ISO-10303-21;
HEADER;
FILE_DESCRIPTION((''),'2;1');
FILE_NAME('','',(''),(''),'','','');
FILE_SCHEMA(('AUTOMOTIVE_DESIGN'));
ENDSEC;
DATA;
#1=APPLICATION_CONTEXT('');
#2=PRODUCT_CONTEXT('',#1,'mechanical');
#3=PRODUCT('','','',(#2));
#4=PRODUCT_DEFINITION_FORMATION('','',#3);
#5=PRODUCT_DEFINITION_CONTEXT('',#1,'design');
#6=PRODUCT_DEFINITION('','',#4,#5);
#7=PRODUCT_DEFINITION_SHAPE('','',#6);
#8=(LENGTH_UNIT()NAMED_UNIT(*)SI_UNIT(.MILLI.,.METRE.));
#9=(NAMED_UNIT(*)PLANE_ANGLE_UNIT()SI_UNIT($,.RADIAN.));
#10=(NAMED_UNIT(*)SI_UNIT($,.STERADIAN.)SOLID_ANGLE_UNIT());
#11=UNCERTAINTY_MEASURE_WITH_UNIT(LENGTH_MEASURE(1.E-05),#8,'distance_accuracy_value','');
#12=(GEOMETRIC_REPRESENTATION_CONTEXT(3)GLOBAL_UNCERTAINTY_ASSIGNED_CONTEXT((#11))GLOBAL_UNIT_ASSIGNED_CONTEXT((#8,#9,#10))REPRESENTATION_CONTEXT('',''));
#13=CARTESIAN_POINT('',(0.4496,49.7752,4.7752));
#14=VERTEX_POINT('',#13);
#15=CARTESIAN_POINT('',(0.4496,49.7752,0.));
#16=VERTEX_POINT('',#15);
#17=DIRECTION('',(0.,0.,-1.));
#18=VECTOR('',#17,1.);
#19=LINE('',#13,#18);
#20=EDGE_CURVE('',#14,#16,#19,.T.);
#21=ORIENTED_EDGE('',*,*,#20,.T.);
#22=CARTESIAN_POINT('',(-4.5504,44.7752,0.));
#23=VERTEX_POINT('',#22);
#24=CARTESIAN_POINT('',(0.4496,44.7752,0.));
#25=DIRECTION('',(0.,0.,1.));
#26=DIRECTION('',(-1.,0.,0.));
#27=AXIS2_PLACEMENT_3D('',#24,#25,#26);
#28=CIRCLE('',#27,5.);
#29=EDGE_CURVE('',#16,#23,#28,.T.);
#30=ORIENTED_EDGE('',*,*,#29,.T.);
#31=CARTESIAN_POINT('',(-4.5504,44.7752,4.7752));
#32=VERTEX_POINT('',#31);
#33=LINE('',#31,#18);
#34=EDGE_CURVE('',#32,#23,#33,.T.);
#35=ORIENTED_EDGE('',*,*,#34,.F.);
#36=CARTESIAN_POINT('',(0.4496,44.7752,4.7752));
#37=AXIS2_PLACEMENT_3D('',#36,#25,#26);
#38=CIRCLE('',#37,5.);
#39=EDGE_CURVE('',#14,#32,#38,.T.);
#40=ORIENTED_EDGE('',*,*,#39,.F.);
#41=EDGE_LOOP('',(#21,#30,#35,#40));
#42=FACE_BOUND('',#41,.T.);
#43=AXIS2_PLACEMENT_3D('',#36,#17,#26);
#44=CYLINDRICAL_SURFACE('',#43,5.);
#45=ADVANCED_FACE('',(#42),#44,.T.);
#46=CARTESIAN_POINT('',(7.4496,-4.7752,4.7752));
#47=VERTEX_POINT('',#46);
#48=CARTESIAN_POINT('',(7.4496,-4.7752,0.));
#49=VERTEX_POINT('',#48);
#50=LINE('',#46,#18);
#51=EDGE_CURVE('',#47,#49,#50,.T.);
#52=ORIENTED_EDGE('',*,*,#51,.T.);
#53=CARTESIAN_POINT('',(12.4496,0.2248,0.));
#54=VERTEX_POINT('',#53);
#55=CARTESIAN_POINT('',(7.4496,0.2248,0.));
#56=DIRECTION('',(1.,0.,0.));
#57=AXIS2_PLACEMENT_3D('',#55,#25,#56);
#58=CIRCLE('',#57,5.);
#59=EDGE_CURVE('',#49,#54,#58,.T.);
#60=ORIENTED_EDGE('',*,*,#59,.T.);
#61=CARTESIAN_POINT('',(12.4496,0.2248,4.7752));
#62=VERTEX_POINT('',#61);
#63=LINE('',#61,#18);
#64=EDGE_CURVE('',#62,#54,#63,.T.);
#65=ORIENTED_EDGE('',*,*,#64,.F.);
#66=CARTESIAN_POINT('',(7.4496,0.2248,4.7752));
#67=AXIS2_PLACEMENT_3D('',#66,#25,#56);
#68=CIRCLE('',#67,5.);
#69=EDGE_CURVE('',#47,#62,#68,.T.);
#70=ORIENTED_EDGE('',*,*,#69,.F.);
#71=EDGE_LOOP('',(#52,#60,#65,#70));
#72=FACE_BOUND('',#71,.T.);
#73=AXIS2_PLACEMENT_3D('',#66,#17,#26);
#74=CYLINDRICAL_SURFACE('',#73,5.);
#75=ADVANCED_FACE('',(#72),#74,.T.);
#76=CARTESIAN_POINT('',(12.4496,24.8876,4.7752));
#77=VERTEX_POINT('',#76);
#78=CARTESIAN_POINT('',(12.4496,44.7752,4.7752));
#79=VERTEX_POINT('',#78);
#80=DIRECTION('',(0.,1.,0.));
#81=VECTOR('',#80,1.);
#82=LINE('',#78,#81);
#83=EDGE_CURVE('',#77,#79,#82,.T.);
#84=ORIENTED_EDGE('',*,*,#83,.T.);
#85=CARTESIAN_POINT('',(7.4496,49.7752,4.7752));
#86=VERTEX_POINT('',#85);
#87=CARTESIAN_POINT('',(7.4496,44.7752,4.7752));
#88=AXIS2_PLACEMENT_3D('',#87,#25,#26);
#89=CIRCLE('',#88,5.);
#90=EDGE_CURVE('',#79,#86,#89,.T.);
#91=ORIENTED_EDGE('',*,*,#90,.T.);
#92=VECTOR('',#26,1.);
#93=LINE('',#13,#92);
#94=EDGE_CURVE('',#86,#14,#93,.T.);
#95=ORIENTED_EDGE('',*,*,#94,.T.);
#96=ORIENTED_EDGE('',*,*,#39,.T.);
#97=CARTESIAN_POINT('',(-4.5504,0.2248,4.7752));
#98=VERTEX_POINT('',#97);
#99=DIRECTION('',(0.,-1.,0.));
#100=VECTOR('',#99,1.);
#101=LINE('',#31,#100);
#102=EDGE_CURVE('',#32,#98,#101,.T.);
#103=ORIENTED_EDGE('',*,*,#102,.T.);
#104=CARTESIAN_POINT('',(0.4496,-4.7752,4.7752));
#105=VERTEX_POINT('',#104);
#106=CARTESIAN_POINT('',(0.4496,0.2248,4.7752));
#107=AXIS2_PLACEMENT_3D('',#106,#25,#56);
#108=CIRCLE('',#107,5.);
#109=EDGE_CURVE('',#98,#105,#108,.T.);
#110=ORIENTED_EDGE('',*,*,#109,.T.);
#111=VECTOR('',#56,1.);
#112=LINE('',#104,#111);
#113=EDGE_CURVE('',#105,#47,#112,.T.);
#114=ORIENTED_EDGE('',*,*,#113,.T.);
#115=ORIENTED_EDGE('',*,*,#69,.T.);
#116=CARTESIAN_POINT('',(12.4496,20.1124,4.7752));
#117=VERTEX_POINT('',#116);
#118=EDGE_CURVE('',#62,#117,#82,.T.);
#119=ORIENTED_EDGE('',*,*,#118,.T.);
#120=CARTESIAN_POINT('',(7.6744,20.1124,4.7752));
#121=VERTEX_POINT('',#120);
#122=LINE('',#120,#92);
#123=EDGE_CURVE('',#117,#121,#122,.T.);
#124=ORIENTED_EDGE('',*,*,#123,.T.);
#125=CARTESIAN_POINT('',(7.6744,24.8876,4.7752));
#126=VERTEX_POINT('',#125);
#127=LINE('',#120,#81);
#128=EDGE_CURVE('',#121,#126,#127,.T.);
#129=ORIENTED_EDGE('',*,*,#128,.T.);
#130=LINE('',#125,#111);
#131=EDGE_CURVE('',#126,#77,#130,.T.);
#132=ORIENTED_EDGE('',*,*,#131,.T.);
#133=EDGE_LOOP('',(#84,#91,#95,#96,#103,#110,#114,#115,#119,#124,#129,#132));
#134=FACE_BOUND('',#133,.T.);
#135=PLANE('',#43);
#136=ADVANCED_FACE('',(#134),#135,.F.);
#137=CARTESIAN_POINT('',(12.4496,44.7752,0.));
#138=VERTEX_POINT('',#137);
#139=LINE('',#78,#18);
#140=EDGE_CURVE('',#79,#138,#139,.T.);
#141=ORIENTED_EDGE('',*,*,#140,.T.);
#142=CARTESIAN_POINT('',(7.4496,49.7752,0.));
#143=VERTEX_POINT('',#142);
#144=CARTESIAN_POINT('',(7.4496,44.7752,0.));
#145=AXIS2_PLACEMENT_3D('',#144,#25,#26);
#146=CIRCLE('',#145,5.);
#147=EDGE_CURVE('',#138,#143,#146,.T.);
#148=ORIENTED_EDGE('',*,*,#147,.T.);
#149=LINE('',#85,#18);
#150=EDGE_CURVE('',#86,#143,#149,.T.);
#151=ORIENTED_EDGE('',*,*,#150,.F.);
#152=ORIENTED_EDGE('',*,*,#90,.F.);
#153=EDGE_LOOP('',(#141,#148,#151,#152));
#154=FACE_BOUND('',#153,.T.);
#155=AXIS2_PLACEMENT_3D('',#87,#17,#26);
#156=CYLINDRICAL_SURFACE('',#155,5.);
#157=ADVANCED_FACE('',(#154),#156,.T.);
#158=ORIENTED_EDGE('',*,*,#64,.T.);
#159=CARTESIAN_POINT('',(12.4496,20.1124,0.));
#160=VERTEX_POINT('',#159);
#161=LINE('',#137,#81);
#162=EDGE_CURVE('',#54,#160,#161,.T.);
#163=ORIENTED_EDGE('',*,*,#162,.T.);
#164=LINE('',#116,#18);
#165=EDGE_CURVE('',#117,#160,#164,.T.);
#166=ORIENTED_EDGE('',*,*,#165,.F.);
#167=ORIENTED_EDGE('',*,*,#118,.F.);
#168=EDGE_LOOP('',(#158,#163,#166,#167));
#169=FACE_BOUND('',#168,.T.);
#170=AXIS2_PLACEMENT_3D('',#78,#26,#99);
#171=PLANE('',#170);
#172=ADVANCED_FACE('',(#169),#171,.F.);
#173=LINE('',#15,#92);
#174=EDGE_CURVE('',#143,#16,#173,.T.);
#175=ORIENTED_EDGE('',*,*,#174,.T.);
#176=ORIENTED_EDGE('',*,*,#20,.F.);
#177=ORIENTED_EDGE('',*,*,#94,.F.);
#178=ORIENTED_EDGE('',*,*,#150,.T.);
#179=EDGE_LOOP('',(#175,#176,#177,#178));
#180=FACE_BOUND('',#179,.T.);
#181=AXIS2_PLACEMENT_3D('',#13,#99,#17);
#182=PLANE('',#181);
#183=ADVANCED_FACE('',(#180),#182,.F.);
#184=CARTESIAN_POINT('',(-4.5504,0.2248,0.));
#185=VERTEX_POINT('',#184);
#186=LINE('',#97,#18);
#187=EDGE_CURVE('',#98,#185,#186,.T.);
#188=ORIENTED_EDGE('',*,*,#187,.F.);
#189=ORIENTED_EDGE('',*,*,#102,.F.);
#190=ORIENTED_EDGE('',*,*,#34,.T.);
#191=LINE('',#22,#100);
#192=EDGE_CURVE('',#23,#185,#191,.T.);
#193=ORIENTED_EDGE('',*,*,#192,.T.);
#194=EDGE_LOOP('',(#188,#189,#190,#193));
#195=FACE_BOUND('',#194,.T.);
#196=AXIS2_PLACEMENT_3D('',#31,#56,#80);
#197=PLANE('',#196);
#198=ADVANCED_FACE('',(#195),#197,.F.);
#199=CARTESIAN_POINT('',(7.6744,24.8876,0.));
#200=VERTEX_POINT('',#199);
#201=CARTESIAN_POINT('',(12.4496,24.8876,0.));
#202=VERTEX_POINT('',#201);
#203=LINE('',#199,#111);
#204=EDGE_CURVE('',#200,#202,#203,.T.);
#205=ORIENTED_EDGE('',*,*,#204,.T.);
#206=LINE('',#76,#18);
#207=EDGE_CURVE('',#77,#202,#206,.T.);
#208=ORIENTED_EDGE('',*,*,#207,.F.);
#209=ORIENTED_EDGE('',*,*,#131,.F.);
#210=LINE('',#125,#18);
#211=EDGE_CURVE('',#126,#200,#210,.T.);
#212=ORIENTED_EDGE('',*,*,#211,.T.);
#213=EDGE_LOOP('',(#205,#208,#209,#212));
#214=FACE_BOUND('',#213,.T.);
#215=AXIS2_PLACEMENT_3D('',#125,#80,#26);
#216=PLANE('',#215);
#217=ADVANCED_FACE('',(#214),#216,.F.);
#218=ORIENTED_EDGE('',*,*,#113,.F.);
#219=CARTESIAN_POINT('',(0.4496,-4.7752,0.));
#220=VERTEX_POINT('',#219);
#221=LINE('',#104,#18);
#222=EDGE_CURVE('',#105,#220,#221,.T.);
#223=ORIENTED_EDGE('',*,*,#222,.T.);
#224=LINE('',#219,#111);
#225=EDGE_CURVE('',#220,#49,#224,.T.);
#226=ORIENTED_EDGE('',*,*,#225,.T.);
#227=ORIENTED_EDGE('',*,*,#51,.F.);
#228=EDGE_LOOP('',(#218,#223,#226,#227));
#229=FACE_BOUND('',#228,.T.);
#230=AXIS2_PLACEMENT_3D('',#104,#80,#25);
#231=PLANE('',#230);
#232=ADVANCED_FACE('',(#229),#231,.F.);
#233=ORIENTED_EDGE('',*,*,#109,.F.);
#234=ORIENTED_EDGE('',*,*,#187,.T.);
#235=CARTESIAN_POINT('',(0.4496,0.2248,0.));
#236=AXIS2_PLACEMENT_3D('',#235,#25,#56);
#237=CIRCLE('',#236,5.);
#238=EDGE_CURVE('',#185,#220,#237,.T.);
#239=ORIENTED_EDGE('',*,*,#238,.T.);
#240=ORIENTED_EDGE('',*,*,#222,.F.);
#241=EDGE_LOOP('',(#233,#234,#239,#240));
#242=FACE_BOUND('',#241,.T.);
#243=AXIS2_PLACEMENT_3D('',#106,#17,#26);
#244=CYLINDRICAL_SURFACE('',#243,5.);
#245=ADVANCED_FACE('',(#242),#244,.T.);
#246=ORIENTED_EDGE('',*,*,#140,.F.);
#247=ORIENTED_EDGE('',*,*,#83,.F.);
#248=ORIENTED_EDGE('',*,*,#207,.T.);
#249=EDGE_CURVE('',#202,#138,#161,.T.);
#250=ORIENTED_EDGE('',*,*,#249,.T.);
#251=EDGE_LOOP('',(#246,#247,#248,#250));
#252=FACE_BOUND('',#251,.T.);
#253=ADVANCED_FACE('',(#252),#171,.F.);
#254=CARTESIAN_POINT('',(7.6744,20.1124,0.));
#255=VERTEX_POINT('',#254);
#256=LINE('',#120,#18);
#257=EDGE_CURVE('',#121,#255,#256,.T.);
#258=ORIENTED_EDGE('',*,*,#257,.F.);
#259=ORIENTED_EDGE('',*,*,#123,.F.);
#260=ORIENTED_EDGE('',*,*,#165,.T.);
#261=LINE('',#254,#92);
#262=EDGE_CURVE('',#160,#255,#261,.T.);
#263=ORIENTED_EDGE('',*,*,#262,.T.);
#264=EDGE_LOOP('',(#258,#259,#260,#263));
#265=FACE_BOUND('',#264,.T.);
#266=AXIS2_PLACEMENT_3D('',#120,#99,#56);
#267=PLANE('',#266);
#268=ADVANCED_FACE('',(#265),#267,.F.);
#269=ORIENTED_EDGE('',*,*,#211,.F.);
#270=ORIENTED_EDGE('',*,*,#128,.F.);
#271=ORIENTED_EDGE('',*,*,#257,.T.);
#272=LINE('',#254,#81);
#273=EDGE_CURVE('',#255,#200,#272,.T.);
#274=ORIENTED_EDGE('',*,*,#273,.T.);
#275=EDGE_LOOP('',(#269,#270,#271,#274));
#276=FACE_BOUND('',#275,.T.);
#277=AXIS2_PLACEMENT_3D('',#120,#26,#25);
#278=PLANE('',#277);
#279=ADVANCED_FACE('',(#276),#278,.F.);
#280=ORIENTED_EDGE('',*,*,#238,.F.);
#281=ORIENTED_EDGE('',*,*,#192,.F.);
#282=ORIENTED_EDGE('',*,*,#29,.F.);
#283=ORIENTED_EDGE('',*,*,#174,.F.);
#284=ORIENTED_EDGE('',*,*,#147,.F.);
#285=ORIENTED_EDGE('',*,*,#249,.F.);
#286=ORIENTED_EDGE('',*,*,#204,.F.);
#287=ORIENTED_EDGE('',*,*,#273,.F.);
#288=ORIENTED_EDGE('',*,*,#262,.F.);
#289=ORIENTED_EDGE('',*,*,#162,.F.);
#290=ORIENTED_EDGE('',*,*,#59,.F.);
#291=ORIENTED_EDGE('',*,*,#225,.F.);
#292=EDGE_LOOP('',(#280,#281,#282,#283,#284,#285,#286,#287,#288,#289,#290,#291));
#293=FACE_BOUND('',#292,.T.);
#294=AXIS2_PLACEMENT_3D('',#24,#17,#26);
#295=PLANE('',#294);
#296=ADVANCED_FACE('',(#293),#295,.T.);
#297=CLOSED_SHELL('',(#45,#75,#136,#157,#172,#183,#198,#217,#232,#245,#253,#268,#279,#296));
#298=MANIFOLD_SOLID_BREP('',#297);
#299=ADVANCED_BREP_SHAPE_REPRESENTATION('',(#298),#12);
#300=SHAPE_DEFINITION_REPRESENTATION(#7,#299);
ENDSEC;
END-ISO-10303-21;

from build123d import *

# Parameters (mm, degrees)
BOSS_EXTRUDE1_DEPTH = 4.7752
SKETCH2_W           = 4.7752
SKETCH2_H           = 4.7752
CUT_EXTRUDE1_DEPTH  = 4.7752


with BuildPart() as part:
    # Sketch1 → Boss-Extrude1 (new body)
    with BuildSketch(Plane.XY):
        with BuildLine():
            Line((-4.5504, 44.7752), (-4.5504, 0.2248))
            ThreePointArc((-4.5504, 0.2248), (-3.085933906, -3.310733906), (0.4496, -4.7752))
            Line((0.4496, -4.7752), (7.4496, -4.7752))
            ThreePointArc((7.4496, -4.7752), (10.985133906, -3.310733906), (12.4496, 0.2248))
            Line((12.4496, 0.2248), (12.4496, 44.7752))
            ThreePointArc((12.4496, 44.7752), (10.985133906, 48.310733906), (7.4496, 49.7752))
            Line((7.4496, 49.7752), (0.4496, 49.7752))
            ThreePointArc((0.4496, 49.7752), (-3.085933906, 48.310733906), (-4.5504, 44.7752))
        make_face()
    extrude(amount=BOSS_EXTRUDE1_DEPTH)

    # Sketch2 → Cut-Extrude1 (cut)
    with BuildSketch(Plane(origin=(0, 0, 0), x_dir=(-1, 0, 0), z_dir=(0, 0, -1))):
        with Locations((-10.062, 22.5)):
            Rectangle(SKETCH2_W, SKETCH2_H)
    extrude(amount=-CUT_EXTRUDE1_DEPTH, mode=Mode.SUBTRACT)


solid = part.part
